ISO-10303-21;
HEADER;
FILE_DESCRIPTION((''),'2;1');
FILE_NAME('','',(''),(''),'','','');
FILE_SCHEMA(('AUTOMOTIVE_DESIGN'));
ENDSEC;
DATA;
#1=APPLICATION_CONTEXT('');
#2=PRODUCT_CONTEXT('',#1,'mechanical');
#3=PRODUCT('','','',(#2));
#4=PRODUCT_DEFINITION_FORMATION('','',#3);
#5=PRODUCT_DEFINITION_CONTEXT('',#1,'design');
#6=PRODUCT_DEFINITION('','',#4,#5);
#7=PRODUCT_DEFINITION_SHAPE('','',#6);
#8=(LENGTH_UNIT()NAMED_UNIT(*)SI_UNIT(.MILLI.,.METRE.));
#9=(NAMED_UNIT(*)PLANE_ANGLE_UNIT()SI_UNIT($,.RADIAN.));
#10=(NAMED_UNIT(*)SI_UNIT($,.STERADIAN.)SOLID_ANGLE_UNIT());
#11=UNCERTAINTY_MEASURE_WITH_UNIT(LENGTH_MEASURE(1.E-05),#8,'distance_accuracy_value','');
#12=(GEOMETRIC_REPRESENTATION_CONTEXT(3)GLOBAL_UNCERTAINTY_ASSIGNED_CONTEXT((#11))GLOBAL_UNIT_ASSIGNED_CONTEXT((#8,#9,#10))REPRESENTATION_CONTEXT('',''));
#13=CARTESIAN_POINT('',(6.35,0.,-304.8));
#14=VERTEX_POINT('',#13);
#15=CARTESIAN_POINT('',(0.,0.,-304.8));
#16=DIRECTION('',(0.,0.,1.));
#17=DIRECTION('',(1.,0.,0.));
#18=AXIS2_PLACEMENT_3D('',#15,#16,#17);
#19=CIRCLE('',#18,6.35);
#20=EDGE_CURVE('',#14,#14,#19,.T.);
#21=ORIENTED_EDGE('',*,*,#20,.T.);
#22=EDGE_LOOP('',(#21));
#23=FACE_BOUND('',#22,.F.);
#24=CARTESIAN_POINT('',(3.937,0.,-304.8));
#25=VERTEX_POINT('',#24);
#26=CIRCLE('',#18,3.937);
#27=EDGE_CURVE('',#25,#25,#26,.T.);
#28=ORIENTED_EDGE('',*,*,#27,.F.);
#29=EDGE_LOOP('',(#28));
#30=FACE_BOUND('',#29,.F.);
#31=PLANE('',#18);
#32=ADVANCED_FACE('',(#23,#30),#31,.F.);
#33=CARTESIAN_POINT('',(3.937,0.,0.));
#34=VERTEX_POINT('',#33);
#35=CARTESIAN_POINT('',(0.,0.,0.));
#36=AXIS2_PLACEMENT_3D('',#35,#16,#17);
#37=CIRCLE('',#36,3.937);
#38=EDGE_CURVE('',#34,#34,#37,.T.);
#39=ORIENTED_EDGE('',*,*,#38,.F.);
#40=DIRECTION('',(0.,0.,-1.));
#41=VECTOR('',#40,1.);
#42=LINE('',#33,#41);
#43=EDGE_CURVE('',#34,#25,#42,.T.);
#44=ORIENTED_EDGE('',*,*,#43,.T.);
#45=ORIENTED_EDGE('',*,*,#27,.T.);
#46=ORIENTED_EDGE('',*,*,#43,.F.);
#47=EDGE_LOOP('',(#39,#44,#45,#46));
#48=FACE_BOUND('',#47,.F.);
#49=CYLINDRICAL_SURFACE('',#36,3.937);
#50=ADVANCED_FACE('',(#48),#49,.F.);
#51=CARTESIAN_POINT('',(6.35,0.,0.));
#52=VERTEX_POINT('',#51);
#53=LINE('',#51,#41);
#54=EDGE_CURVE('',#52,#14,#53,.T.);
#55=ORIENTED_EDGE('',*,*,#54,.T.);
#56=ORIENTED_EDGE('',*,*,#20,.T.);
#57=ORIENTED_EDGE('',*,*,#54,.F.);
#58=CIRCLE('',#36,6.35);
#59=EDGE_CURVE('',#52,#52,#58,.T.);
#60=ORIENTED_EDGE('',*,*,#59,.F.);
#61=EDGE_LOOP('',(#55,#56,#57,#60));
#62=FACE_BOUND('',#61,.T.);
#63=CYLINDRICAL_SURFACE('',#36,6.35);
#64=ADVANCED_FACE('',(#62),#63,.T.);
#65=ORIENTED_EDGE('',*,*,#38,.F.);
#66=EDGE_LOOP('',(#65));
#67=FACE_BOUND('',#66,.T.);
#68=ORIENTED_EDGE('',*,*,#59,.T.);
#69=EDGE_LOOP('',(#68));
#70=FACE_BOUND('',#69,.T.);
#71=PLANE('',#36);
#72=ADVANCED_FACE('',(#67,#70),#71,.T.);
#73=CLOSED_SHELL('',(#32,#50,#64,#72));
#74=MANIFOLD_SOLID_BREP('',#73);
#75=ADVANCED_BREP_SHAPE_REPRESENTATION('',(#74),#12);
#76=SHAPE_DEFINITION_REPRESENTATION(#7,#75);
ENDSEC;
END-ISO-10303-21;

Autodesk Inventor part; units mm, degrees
ref_plane "YZ Plane" through (0, 0, 0) normal (1, 0, 0) x (0, 1, 0)
ref_plane "XZ Plane" through (0, 0, 0) normal (0, 1, 0) x (-1, 0, 0)
ref_plane "XY Plane" through (0, 0, 0) normal (0, 0, 1) x (1, 0, 0)
sketch "Sketch1" plane through (0, 0, 0) normal (0, 0, 1) x (1, 0, 0)
  circle A0 centre (0, 0) radius 6.35
  circle A1 centre (0, 0) radius 3.937
  dimension "d0" = 12.7
  dimension "d1" = 2.413
extrude "Extrusion1" add sketch "Sketch1" against normal blind 304.8
properties part number "transmission tube"
